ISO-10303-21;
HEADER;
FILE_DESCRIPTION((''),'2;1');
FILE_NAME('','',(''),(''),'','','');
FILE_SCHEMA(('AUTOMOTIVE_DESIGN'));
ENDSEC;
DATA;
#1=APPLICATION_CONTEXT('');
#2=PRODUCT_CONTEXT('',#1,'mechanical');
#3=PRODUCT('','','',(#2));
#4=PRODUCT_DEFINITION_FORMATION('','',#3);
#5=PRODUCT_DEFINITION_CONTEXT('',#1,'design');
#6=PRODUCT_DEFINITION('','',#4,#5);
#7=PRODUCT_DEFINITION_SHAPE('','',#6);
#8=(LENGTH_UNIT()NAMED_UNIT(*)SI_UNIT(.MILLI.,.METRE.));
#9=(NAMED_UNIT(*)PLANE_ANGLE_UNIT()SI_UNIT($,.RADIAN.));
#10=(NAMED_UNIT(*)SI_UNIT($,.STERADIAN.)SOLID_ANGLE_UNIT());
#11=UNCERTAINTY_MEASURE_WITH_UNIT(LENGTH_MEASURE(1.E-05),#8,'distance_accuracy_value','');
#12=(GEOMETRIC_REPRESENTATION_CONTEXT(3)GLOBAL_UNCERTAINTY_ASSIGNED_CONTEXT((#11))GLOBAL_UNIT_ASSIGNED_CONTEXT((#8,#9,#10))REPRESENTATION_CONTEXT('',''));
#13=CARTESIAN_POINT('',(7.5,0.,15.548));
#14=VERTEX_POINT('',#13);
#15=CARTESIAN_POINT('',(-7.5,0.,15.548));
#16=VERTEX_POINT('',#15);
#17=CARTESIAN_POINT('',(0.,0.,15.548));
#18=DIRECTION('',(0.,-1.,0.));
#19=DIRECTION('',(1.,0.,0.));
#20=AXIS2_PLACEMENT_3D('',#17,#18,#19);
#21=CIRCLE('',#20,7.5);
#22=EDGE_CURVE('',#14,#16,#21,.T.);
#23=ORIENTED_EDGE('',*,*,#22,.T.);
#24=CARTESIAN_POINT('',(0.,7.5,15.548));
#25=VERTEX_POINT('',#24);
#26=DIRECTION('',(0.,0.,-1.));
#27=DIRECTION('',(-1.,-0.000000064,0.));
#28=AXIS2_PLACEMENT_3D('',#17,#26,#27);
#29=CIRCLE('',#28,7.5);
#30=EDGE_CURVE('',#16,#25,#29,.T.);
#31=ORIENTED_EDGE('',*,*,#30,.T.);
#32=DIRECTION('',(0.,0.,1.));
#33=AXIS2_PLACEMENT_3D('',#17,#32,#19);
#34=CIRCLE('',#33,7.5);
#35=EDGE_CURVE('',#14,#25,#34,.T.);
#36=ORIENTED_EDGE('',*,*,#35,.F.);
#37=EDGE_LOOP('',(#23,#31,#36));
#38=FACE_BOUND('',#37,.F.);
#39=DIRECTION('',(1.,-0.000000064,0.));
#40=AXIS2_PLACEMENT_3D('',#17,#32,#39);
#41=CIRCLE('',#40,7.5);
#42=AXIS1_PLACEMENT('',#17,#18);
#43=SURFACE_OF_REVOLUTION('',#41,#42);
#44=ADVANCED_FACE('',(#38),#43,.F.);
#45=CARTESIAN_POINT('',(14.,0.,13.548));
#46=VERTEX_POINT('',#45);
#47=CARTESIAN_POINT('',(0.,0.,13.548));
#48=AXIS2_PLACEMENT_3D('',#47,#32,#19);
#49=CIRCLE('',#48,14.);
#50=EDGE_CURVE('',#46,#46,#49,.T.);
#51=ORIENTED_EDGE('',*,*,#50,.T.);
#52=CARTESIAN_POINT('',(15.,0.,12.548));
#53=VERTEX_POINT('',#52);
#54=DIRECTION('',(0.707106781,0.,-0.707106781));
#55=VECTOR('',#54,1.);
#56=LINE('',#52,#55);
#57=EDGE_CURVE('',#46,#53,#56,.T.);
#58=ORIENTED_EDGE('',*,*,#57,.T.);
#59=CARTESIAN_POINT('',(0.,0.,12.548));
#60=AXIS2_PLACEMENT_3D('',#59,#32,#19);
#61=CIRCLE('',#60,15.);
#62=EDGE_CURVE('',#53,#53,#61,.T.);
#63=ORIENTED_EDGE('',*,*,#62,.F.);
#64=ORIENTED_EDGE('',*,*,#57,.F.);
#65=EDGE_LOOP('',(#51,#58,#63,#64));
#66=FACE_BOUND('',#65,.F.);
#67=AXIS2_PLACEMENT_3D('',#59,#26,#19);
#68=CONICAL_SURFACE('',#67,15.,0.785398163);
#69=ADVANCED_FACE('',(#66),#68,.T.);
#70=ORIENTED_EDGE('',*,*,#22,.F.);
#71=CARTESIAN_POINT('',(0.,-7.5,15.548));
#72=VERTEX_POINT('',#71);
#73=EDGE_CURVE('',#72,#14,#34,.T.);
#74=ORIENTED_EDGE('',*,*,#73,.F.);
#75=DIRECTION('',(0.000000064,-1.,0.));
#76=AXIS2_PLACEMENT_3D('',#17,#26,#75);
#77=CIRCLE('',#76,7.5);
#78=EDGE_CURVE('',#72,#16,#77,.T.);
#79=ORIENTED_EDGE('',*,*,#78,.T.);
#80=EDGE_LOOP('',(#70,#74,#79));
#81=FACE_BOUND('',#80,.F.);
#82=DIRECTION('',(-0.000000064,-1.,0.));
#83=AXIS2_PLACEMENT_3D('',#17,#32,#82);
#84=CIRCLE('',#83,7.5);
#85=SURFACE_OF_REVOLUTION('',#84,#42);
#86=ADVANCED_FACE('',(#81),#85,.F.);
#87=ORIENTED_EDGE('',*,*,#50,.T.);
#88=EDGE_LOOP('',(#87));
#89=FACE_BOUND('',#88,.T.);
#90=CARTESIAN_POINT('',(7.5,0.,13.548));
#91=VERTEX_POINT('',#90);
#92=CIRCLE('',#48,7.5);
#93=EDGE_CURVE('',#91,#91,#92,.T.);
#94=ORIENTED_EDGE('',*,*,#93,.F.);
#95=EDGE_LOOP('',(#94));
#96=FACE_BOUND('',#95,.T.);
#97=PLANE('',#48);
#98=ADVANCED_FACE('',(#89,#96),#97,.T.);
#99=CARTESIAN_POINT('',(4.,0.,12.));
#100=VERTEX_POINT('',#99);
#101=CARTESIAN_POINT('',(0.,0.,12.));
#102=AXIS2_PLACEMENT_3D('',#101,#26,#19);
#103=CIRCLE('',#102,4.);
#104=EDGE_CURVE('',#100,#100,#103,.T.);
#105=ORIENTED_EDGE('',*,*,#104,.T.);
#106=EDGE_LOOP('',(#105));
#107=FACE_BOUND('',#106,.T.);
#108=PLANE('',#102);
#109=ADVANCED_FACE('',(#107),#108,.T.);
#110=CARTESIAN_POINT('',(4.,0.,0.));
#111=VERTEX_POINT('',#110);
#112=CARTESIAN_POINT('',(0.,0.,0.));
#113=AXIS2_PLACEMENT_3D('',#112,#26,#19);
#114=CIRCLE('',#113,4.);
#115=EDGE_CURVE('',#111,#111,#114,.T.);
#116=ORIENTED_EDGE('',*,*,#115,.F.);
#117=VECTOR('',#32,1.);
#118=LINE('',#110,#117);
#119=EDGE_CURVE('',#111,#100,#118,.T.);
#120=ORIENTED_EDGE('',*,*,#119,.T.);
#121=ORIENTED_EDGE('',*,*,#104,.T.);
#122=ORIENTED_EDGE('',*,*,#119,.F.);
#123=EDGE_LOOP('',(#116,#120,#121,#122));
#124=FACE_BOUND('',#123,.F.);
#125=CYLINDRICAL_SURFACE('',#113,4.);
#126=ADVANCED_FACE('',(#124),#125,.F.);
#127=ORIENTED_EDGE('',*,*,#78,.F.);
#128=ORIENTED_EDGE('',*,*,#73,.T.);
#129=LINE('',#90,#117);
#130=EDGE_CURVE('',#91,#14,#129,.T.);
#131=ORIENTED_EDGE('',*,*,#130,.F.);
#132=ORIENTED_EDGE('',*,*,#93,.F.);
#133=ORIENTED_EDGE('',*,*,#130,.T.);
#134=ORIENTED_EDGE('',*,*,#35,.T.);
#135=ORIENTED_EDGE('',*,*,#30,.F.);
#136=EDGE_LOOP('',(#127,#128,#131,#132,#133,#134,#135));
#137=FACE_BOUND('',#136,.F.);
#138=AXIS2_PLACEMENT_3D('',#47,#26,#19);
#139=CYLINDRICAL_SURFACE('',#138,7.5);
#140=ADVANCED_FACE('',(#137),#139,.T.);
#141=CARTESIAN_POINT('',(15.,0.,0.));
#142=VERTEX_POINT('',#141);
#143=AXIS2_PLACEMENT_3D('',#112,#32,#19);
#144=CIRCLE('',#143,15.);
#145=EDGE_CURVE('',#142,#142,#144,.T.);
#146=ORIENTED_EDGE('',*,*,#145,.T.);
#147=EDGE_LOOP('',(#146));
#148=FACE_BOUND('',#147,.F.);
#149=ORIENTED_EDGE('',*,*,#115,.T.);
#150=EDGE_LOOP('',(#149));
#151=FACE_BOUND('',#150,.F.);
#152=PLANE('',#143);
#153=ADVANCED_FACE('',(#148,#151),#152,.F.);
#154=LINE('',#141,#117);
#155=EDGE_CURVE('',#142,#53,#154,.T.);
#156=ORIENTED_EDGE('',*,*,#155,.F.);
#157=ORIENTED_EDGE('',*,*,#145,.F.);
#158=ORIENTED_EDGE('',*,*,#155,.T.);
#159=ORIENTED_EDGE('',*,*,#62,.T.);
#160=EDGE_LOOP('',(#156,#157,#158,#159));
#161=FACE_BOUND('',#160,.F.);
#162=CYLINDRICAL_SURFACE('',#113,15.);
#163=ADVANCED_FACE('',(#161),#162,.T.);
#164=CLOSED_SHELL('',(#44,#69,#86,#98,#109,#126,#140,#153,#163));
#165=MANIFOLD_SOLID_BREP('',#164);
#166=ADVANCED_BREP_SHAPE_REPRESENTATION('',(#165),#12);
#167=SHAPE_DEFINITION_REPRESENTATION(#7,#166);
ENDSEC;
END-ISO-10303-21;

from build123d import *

# Parameters (mm, degrees)
F0_R     = 15
F1_DEPTH = 13.548
F2_R     = 7.5
F3_DEPTH = 2
F5_ANGLE = -180
F6_R     = 4
F7_DEPTH = 12
F8_SIZE  = 1


with BuildPart() as f1:
    # F0 (on Top) → F1 (new body)
    with BuildSketch(Plane.XY):
        Circle(F0_R)
    extrude(amount=F1_DEPTH)

    # F2 (on face) → F3 (join)
    with BuildSketch(Plane.XY.offset(13.548)):
        Circle(F2_R)
    extrude(amount=F3_DEPTH)

    # F4 (on face) → F5 (revolve)
    with BuildSketch(Plane.XY.offset(15.548)):
        with BuildLine():
            Line((0, 7.5), (0, -7.5))
            ThreePointArc((0, -7.5), (5.303301, -5.303301), (7.5, 0))
            ThreePointArc((7.5, 0), (5.303301, 5.303301), (0, 7.5))
        make_face()
    revolve(axis=Axis((0, 0, 15.548), (0, 1, 0)), revolution_arc=F5_ANGLE)

    # F6 (on face) → F7 (cut)
    with BuildSketch(Plane(origin=(0, 0, 0), x_dir=(1, 0, 0), z_dir=(0, 0, -1))):
        Circle(F6_R)
    extrude(amount=-F7_DEPTH, mode=Mode.SUBTRACT)

    # F8
    f8_edges = [f1.edges().sort_by_distance(p)[0] for p in [
        (-15, 0, 13.548),
    ]]
    chamfer(f8_edges, length=F8_SIZE)


solid = f1.part
